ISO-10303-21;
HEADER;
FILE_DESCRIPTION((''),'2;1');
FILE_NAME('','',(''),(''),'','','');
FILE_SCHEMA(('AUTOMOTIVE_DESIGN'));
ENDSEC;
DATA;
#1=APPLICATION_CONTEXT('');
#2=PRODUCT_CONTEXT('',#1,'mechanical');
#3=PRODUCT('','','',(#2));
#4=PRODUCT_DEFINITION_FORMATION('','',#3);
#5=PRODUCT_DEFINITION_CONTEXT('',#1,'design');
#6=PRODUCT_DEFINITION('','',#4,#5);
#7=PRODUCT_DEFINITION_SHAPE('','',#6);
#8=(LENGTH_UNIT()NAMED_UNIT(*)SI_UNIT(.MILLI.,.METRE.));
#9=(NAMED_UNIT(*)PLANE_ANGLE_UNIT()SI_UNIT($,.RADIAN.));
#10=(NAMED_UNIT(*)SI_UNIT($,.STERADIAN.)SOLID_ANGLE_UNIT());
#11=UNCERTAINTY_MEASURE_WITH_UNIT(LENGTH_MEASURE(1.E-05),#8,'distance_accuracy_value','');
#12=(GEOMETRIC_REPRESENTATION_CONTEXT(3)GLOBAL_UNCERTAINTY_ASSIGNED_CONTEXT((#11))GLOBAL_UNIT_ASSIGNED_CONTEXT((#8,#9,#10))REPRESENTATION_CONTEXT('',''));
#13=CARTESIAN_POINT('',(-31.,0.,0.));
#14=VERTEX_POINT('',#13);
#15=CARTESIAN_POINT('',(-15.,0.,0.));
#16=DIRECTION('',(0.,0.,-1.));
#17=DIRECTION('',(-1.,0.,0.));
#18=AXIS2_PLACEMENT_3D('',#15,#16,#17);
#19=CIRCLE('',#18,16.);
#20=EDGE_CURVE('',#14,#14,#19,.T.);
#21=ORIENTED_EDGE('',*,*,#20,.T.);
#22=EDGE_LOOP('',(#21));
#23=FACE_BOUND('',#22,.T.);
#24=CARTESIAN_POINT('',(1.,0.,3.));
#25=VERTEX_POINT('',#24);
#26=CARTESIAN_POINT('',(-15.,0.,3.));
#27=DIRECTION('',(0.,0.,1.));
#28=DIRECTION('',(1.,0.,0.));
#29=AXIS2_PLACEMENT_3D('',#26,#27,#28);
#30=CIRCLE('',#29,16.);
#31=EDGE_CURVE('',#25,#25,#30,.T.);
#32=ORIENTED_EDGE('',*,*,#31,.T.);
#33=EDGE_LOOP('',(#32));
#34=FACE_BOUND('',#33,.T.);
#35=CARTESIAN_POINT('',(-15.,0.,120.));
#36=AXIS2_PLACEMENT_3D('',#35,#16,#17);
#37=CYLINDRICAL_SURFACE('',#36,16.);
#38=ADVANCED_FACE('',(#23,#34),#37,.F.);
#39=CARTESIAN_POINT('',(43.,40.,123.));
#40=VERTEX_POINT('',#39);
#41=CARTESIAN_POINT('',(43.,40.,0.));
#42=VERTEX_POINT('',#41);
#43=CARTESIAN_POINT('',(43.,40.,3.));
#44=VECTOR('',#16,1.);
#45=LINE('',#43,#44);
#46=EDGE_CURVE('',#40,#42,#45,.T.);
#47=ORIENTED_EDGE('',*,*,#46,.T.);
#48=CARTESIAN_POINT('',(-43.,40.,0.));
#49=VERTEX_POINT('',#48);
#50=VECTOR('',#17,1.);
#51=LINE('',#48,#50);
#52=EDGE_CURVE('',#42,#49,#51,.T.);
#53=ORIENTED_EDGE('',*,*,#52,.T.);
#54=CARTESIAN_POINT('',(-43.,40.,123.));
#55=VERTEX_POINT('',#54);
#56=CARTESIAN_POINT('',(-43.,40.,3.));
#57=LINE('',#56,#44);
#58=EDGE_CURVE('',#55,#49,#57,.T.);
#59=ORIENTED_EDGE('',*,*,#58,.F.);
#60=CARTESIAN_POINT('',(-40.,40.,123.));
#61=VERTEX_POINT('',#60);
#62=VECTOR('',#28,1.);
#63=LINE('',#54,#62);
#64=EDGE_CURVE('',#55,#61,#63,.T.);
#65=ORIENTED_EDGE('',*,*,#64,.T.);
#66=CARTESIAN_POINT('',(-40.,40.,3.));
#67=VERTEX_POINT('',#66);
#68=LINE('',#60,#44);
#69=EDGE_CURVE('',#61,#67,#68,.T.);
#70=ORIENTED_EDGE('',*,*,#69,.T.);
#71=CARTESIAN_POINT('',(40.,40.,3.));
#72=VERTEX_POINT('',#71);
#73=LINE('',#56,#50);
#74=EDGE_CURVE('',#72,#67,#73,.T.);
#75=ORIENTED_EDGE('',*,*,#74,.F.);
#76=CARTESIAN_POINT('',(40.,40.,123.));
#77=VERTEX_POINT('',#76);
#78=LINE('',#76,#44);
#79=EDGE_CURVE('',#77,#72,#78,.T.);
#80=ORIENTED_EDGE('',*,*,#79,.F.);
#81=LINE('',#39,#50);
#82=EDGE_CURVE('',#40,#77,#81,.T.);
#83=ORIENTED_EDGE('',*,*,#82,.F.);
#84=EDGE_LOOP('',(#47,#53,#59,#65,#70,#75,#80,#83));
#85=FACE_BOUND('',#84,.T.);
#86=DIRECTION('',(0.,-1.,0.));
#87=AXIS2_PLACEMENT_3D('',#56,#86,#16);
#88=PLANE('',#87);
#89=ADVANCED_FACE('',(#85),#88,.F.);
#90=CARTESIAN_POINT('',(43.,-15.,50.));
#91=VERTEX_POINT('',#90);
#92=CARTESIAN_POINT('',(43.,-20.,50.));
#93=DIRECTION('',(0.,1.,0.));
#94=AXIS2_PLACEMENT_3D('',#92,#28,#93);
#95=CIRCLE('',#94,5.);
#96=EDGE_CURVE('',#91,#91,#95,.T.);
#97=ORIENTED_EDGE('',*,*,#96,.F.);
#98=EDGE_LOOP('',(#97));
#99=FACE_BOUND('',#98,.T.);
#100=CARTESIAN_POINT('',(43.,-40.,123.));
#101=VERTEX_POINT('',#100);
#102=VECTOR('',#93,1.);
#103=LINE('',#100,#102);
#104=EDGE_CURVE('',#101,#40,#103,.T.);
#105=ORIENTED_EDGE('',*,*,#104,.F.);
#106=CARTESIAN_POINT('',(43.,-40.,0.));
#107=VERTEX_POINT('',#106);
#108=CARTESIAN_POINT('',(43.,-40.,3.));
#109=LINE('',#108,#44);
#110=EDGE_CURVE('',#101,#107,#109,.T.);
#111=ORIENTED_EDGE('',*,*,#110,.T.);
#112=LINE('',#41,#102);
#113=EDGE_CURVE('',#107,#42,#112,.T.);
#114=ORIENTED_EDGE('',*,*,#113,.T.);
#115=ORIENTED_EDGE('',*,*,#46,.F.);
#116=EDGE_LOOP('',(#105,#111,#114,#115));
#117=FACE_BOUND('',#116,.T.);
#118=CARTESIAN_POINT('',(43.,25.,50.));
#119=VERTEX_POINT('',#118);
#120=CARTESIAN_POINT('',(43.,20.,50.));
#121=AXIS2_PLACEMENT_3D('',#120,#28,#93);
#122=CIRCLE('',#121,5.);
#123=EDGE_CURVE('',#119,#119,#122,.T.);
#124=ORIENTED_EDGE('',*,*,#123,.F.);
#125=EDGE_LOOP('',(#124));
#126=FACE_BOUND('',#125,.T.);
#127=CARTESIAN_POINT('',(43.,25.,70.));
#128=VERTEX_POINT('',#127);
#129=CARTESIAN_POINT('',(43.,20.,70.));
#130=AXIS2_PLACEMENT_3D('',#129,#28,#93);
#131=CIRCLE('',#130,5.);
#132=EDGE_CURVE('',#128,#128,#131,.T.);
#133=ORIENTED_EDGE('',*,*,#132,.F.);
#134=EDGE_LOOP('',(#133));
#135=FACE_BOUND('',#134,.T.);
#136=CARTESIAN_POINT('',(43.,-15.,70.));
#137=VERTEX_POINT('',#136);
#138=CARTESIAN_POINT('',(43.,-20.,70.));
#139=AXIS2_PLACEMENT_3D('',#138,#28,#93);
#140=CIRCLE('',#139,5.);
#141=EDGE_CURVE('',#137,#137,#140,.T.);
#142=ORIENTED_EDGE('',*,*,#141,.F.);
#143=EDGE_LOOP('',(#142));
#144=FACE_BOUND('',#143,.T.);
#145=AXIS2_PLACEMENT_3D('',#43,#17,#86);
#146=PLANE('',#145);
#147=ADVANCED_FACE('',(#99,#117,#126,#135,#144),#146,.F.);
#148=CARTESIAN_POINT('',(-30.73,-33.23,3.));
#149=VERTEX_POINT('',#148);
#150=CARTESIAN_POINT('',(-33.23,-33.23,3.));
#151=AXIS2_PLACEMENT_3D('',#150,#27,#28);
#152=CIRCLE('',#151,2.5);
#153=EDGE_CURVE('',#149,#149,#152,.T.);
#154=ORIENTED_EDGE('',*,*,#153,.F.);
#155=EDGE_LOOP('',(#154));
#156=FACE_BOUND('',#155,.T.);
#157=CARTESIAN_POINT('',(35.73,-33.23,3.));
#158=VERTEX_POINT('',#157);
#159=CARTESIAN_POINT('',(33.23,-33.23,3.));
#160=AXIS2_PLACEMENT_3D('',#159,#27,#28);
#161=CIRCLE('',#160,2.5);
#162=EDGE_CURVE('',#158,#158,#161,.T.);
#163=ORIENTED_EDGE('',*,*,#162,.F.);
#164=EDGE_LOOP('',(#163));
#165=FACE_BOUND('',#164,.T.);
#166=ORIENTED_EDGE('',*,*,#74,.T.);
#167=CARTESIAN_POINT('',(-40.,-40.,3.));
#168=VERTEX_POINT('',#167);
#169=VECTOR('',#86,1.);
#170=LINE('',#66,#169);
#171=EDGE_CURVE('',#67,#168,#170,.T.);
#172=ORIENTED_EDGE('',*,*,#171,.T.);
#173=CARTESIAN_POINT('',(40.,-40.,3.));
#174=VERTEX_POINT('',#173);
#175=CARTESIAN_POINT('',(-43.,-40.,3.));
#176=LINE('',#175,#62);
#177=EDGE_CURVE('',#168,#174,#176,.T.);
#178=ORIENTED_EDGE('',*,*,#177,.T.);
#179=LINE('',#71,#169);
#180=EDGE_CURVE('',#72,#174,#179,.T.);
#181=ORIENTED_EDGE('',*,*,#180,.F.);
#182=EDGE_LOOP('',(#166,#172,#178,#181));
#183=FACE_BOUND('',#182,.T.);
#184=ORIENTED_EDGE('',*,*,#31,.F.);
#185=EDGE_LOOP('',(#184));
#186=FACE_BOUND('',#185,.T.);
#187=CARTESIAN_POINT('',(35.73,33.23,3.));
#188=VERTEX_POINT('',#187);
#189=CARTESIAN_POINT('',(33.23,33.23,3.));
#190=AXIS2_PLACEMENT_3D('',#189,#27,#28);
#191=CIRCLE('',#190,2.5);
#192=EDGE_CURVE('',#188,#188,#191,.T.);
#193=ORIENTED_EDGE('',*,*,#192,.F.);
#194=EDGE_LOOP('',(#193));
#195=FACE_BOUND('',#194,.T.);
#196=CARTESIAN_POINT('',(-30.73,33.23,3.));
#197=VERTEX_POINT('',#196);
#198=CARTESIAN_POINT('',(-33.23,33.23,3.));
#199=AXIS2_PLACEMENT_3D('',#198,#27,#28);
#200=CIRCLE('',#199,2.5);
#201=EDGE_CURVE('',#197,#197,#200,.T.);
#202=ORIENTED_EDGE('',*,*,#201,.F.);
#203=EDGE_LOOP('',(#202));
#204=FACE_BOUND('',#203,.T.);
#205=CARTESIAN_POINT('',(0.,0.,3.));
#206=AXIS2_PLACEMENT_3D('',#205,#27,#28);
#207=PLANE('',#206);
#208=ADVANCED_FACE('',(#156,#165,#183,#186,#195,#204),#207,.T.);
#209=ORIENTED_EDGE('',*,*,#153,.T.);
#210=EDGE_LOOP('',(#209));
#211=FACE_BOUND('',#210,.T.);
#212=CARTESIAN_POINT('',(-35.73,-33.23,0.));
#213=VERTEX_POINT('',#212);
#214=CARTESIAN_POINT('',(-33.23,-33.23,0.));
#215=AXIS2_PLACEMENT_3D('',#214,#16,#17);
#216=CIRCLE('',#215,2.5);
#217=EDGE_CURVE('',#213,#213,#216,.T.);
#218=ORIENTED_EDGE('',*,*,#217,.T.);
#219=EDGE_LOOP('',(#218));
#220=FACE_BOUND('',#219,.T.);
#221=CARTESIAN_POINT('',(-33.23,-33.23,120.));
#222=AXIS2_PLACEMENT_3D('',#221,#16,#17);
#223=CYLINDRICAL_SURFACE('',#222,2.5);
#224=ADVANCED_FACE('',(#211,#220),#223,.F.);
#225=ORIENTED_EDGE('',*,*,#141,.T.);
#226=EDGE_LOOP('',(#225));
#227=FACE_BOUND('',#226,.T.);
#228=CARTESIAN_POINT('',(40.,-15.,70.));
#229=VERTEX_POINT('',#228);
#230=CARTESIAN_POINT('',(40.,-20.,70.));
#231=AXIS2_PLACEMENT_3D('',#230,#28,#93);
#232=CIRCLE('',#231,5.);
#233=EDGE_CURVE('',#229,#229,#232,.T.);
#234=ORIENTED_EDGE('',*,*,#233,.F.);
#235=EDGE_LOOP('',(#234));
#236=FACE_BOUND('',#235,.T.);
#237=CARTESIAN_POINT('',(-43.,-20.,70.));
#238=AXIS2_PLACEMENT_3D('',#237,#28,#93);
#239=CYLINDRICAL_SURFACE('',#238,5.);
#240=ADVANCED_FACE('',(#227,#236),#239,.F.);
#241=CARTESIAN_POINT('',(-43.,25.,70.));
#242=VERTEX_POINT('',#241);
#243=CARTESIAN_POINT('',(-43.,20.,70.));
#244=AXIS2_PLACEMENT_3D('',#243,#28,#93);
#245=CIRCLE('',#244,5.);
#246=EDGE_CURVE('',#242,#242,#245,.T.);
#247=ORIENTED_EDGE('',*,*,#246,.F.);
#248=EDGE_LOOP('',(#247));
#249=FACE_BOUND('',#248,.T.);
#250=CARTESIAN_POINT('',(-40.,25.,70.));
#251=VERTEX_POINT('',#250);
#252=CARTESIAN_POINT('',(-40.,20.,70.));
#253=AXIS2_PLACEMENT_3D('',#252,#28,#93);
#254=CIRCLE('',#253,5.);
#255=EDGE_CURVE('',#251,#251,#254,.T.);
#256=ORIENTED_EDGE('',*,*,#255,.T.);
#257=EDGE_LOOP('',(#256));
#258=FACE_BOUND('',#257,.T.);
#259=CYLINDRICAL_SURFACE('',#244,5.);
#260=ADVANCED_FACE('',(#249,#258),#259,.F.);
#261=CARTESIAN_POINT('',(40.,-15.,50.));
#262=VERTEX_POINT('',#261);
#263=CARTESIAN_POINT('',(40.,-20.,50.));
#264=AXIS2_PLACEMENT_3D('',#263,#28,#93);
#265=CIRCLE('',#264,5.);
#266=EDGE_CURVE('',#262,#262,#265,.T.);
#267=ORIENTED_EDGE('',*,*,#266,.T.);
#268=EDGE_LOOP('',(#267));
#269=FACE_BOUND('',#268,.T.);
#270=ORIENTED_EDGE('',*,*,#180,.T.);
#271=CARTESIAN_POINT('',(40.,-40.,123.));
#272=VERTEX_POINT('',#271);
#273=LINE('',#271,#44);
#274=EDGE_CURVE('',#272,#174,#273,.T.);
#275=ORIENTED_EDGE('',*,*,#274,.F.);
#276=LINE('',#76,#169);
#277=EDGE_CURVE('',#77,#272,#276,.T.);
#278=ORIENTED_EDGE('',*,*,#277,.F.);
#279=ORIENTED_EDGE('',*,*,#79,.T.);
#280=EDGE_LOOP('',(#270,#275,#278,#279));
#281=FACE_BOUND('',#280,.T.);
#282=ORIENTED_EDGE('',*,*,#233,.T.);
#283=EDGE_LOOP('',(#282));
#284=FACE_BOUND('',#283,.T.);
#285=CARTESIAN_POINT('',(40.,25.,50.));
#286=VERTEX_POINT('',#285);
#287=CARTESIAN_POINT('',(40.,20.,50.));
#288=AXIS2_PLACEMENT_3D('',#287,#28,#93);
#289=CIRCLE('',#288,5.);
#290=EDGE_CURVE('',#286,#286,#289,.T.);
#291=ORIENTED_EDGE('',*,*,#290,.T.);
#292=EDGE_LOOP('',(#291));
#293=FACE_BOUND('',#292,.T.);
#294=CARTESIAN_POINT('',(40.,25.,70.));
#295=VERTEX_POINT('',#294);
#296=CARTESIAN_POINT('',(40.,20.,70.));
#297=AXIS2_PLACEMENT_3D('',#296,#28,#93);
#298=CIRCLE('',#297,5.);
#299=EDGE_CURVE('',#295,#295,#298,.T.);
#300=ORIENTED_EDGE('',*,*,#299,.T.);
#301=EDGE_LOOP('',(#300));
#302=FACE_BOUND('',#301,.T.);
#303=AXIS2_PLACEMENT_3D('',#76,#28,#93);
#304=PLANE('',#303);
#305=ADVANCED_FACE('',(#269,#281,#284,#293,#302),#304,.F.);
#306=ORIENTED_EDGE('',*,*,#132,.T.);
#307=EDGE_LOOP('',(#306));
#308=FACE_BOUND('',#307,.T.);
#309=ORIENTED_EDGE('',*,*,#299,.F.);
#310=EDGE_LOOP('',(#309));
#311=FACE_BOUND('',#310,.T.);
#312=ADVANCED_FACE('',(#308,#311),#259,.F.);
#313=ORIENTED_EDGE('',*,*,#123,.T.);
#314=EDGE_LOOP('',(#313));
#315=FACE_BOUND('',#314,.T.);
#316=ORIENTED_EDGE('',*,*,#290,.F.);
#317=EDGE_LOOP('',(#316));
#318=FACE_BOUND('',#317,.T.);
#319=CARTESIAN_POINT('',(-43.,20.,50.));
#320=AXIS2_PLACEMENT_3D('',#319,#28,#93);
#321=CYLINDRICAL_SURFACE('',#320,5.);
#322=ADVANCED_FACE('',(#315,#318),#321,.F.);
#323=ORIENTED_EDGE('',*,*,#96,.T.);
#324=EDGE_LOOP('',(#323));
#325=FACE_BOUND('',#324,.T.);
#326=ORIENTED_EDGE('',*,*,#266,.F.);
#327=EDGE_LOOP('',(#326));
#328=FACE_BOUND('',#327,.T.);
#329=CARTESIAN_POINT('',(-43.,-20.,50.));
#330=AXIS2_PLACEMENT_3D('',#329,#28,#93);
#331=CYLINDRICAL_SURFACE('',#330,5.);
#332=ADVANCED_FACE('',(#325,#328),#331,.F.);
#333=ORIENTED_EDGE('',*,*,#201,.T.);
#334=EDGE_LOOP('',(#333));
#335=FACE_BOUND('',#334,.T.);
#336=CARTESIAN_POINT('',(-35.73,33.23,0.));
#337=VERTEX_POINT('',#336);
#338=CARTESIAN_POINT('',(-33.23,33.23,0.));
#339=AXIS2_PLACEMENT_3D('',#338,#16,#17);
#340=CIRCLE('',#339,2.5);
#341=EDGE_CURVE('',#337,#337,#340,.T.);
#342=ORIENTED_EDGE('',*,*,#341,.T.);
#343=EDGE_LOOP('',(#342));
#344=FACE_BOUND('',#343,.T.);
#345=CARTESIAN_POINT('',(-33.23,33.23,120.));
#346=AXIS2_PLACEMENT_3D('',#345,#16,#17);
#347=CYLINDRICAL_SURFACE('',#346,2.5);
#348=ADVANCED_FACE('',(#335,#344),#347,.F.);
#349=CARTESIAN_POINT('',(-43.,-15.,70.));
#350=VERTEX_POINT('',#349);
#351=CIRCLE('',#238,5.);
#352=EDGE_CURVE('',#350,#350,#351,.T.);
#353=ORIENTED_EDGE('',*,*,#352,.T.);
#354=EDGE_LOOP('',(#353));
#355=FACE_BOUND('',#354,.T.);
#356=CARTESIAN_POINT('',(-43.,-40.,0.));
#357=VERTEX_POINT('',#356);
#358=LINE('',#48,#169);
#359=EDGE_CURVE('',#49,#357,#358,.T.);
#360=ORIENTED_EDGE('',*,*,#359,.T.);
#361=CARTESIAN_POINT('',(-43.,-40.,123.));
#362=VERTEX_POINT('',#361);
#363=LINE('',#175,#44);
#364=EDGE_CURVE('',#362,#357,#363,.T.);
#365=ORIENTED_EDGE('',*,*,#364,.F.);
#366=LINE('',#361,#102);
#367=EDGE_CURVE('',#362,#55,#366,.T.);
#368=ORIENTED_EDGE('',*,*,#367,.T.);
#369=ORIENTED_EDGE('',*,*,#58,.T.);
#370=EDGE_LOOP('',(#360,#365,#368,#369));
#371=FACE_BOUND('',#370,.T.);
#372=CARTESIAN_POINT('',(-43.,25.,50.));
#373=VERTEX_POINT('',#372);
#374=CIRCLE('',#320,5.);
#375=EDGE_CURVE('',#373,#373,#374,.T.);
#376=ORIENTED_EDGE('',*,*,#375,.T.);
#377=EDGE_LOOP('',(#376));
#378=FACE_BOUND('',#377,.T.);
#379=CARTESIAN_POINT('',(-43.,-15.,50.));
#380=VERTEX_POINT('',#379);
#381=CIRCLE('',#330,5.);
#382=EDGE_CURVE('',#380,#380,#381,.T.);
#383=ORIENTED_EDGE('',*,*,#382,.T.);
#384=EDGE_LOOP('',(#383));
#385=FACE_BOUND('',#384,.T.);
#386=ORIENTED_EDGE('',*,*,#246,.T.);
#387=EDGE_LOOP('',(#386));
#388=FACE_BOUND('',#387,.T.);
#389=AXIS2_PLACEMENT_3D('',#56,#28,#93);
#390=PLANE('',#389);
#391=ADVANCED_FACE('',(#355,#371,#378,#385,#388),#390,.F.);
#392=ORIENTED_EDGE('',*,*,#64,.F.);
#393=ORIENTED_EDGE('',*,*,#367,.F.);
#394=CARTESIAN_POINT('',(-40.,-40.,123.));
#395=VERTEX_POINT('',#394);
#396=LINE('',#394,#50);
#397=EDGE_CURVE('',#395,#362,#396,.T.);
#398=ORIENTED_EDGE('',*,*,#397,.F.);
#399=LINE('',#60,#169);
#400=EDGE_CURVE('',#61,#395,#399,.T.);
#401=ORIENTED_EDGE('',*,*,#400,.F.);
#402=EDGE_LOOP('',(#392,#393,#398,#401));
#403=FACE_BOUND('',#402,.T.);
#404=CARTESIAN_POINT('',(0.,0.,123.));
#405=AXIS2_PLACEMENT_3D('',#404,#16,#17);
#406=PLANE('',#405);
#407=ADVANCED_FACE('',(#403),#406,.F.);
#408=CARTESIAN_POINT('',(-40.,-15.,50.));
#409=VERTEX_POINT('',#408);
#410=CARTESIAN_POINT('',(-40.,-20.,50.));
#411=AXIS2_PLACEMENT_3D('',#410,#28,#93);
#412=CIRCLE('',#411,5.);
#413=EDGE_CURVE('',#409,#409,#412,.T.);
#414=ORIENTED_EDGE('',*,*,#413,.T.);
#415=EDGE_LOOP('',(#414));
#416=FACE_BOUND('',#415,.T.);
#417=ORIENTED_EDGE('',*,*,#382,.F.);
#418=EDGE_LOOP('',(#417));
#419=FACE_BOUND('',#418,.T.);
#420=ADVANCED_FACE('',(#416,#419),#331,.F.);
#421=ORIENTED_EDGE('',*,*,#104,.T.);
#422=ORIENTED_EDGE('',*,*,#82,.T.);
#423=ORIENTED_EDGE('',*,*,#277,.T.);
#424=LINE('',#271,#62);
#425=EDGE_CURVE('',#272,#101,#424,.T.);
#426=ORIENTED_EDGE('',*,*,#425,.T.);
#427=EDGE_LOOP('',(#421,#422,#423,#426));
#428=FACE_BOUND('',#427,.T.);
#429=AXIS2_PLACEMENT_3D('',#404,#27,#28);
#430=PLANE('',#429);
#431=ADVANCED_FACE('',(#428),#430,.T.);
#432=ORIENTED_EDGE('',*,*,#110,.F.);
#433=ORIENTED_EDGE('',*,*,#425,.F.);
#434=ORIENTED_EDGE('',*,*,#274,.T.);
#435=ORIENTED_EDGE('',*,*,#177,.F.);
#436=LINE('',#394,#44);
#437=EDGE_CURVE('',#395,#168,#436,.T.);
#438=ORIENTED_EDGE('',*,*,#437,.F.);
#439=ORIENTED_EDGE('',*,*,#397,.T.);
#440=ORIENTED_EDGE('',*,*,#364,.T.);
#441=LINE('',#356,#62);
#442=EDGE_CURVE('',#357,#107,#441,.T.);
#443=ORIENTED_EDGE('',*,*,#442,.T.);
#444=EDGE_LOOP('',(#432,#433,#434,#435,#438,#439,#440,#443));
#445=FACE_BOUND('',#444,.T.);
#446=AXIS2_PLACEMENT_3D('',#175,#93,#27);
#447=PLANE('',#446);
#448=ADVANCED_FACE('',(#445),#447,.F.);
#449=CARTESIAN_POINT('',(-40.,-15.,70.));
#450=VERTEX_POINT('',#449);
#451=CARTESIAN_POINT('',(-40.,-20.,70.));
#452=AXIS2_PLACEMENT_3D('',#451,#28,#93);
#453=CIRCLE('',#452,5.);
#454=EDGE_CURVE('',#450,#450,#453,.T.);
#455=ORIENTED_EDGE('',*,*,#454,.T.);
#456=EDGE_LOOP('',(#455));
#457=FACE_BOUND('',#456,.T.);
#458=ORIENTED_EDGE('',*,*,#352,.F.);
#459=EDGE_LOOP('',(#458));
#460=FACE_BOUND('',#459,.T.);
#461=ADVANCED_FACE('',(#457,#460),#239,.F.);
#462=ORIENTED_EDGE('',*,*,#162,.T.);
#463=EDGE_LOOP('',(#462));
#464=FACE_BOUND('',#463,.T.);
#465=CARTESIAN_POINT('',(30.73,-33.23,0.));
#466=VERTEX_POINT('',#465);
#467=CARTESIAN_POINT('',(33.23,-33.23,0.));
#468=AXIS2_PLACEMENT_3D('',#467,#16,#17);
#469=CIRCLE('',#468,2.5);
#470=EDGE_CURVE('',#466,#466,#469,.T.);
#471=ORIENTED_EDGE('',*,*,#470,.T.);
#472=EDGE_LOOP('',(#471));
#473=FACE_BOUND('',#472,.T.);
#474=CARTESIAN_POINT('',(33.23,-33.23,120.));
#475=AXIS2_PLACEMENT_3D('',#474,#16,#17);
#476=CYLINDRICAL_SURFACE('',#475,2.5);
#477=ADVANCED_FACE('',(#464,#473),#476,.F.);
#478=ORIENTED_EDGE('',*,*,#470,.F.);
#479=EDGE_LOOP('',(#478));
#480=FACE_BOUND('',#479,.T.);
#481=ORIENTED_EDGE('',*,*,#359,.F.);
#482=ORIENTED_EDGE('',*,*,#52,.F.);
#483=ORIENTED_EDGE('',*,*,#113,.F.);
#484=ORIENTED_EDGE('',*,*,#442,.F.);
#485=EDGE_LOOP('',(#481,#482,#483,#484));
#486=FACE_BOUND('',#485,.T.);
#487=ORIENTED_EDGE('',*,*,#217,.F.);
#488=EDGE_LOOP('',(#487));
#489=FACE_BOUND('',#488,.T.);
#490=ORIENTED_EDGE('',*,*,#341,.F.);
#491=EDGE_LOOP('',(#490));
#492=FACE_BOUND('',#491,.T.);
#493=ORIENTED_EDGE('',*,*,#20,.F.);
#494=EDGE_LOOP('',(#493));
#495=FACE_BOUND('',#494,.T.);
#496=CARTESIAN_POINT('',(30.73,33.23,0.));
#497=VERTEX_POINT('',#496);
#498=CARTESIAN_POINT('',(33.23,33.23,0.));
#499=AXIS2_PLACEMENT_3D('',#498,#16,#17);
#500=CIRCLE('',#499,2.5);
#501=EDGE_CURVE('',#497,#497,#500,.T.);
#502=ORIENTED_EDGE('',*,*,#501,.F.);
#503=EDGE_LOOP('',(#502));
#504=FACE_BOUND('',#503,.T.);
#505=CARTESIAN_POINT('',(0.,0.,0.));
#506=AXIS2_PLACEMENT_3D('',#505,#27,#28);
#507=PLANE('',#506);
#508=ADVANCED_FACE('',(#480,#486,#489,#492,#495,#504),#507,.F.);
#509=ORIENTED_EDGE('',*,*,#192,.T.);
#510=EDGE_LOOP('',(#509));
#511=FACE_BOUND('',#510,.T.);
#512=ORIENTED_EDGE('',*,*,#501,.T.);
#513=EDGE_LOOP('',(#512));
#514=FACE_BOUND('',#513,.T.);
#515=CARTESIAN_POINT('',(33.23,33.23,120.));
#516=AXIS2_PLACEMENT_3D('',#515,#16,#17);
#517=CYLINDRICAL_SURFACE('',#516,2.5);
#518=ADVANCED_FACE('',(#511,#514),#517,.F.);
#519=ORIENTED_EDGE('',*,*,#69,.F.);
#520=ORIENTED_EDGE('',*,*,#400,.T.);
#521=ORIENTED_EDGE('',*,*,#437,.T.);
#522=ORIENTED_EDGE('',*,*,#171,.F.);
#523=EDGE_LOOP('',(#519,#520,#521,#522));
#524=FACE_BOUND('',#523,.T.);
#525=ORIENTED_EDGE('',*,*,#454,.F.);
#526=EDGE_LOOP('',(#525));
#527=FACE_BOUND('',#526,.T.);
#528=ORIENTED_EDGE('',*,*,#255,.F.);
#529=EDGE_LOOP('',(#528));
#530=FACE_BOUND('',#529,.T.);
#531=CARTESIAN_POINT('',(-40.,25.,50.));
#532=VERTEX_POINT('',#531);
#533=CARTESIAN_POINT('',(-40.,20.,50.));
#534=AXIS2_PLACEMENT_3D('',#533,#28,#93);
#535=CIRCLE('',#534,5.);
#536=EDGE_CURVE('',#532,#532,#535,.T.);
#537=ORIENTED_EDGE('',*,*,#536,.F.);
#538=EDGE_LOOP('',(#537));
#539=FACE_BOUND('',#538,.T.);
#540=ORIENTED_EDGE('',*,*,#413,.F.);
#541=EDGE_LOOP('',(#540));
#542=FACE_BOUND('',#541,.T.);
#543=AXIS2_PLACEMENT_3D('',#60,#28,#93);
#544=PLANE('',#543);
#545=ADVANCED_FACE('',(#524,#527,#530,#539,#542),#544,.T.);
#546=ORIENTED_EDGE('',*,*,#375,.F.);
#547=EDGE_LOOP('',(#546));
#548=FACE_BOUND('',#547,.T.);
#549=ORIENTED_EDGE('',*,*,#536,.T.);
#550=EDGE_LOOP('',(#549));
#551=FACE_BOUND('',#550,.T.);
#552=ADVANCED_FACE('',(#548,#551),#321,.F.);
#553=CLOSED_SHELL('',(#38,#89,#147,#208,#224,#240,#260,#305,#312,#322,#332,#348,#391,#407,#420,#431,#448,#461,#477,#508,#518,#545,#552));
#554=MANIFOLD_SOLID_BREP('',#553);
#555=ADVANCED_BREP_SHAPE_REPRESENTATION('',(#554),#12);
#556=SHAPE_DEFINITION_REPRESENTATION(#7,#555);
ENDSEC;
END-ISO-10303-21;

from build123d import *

# Parameters (mm, degrees)
SKETCH1_W           = 86
SKETCH1_H           = 80
BOSS_EXTRUDE1_DEPTH = 3
SKETCH2_W           = 3
SKETCH2_H           = 80
BOSS_EXTRUDE2_DEPTH = 120
SKETCH3_R           = 16
CUT_EXTRUDE1_DEPTH  = 120
SKETCH4_R           = 2.5
CUT_EXTRUDE2_DEPTH  = 120
SKETCH5_R           = 5
CUT_EXTRUDE3_DEPTH  = 156.32224567


with BuildPart() as part:
    # Sketch1 → Boss-Extrude1 (new body)
    with BuildSketch(Plane.XY):
        Rectangle(SKETCH1_W, SKETCH1_H)
    extrude(amount=BOSS_EXTRUDE1_DEPTH)

    # Sketch2 → Boss-Extrude2 (add)
    with BuildSketch(Plane.XY.offset(3)):
        with Locations((-41.5, 0)):
            Rectangle(SKETCH2_W, SKETCH2_H)
        with Locations((41.5, 0)):
            Rectangle(SKETCH2_W, SKETCH2_H)
    extrude(amount=BOSS_EXTRUDE2_DEPTH)

    # Sketch3 → Cut-Extrude1 (cut)
    with BuildSketch(Plane(origin=(0, 0, 0), x_dir=(-1, 0, 0), z_dir=(0, 0, -1))):
        with Locations((15, 0)):
            Circle(SKETCH3_R)
    extrude(amount=-CUT_EXTRUDE1_DEPTH, mode=Mode.SUBTRACT)

    # Sketch4 → Cut-Extrude2 (cut)
    with BuildSketch(Plane(origin=(0, 0, 0), x_dir=(-1, 0, 0), z_dir=(0, 0, -1))):
        with Locations((-33.23, 33.23)):
            Circle(SKETCH4_R)
        with Locations((-33.23, -33.23)):
            Circle(SKETCH4_R)
        with Locations((33.23, -33.23)):
            Circle(SKETCH4_R)
        with Locations((33.23, 33.23)):
            Circle(SKETCH4_R)
    extrude(amount=-CUT_EXTRUDE2_DEPTH, mode=Mode.SUBTRACT)

    # Sketch5 → Cut-Extrude3 (cut, through all)
    with BuildSketch(Plane(origin=(43, 0, 0), x_dir=(0, 0, -1), z_dir=(1, 0, 0))):
        with Locations(Location((-50, 20, 0), (0, 0, 90))):
            Circle(SKETCH5_R)
        with Locations(Location((-50, -20, 0), (0, 0, 90))):
            Circle(SKETCH5_R)
        with Locations(Location((-70, 20, 0), (0, 0, 90))):
            Circle(SKETCH5_R)
        with Locations(Location((-70, -20, 0), (0, 0, 90))):
            Circle(SKETCH5_R)
    extrude(amount=-CUT_EXTRUDE3_DEPTH, mode=Mode.SUBTRACT)


solid = part.part
